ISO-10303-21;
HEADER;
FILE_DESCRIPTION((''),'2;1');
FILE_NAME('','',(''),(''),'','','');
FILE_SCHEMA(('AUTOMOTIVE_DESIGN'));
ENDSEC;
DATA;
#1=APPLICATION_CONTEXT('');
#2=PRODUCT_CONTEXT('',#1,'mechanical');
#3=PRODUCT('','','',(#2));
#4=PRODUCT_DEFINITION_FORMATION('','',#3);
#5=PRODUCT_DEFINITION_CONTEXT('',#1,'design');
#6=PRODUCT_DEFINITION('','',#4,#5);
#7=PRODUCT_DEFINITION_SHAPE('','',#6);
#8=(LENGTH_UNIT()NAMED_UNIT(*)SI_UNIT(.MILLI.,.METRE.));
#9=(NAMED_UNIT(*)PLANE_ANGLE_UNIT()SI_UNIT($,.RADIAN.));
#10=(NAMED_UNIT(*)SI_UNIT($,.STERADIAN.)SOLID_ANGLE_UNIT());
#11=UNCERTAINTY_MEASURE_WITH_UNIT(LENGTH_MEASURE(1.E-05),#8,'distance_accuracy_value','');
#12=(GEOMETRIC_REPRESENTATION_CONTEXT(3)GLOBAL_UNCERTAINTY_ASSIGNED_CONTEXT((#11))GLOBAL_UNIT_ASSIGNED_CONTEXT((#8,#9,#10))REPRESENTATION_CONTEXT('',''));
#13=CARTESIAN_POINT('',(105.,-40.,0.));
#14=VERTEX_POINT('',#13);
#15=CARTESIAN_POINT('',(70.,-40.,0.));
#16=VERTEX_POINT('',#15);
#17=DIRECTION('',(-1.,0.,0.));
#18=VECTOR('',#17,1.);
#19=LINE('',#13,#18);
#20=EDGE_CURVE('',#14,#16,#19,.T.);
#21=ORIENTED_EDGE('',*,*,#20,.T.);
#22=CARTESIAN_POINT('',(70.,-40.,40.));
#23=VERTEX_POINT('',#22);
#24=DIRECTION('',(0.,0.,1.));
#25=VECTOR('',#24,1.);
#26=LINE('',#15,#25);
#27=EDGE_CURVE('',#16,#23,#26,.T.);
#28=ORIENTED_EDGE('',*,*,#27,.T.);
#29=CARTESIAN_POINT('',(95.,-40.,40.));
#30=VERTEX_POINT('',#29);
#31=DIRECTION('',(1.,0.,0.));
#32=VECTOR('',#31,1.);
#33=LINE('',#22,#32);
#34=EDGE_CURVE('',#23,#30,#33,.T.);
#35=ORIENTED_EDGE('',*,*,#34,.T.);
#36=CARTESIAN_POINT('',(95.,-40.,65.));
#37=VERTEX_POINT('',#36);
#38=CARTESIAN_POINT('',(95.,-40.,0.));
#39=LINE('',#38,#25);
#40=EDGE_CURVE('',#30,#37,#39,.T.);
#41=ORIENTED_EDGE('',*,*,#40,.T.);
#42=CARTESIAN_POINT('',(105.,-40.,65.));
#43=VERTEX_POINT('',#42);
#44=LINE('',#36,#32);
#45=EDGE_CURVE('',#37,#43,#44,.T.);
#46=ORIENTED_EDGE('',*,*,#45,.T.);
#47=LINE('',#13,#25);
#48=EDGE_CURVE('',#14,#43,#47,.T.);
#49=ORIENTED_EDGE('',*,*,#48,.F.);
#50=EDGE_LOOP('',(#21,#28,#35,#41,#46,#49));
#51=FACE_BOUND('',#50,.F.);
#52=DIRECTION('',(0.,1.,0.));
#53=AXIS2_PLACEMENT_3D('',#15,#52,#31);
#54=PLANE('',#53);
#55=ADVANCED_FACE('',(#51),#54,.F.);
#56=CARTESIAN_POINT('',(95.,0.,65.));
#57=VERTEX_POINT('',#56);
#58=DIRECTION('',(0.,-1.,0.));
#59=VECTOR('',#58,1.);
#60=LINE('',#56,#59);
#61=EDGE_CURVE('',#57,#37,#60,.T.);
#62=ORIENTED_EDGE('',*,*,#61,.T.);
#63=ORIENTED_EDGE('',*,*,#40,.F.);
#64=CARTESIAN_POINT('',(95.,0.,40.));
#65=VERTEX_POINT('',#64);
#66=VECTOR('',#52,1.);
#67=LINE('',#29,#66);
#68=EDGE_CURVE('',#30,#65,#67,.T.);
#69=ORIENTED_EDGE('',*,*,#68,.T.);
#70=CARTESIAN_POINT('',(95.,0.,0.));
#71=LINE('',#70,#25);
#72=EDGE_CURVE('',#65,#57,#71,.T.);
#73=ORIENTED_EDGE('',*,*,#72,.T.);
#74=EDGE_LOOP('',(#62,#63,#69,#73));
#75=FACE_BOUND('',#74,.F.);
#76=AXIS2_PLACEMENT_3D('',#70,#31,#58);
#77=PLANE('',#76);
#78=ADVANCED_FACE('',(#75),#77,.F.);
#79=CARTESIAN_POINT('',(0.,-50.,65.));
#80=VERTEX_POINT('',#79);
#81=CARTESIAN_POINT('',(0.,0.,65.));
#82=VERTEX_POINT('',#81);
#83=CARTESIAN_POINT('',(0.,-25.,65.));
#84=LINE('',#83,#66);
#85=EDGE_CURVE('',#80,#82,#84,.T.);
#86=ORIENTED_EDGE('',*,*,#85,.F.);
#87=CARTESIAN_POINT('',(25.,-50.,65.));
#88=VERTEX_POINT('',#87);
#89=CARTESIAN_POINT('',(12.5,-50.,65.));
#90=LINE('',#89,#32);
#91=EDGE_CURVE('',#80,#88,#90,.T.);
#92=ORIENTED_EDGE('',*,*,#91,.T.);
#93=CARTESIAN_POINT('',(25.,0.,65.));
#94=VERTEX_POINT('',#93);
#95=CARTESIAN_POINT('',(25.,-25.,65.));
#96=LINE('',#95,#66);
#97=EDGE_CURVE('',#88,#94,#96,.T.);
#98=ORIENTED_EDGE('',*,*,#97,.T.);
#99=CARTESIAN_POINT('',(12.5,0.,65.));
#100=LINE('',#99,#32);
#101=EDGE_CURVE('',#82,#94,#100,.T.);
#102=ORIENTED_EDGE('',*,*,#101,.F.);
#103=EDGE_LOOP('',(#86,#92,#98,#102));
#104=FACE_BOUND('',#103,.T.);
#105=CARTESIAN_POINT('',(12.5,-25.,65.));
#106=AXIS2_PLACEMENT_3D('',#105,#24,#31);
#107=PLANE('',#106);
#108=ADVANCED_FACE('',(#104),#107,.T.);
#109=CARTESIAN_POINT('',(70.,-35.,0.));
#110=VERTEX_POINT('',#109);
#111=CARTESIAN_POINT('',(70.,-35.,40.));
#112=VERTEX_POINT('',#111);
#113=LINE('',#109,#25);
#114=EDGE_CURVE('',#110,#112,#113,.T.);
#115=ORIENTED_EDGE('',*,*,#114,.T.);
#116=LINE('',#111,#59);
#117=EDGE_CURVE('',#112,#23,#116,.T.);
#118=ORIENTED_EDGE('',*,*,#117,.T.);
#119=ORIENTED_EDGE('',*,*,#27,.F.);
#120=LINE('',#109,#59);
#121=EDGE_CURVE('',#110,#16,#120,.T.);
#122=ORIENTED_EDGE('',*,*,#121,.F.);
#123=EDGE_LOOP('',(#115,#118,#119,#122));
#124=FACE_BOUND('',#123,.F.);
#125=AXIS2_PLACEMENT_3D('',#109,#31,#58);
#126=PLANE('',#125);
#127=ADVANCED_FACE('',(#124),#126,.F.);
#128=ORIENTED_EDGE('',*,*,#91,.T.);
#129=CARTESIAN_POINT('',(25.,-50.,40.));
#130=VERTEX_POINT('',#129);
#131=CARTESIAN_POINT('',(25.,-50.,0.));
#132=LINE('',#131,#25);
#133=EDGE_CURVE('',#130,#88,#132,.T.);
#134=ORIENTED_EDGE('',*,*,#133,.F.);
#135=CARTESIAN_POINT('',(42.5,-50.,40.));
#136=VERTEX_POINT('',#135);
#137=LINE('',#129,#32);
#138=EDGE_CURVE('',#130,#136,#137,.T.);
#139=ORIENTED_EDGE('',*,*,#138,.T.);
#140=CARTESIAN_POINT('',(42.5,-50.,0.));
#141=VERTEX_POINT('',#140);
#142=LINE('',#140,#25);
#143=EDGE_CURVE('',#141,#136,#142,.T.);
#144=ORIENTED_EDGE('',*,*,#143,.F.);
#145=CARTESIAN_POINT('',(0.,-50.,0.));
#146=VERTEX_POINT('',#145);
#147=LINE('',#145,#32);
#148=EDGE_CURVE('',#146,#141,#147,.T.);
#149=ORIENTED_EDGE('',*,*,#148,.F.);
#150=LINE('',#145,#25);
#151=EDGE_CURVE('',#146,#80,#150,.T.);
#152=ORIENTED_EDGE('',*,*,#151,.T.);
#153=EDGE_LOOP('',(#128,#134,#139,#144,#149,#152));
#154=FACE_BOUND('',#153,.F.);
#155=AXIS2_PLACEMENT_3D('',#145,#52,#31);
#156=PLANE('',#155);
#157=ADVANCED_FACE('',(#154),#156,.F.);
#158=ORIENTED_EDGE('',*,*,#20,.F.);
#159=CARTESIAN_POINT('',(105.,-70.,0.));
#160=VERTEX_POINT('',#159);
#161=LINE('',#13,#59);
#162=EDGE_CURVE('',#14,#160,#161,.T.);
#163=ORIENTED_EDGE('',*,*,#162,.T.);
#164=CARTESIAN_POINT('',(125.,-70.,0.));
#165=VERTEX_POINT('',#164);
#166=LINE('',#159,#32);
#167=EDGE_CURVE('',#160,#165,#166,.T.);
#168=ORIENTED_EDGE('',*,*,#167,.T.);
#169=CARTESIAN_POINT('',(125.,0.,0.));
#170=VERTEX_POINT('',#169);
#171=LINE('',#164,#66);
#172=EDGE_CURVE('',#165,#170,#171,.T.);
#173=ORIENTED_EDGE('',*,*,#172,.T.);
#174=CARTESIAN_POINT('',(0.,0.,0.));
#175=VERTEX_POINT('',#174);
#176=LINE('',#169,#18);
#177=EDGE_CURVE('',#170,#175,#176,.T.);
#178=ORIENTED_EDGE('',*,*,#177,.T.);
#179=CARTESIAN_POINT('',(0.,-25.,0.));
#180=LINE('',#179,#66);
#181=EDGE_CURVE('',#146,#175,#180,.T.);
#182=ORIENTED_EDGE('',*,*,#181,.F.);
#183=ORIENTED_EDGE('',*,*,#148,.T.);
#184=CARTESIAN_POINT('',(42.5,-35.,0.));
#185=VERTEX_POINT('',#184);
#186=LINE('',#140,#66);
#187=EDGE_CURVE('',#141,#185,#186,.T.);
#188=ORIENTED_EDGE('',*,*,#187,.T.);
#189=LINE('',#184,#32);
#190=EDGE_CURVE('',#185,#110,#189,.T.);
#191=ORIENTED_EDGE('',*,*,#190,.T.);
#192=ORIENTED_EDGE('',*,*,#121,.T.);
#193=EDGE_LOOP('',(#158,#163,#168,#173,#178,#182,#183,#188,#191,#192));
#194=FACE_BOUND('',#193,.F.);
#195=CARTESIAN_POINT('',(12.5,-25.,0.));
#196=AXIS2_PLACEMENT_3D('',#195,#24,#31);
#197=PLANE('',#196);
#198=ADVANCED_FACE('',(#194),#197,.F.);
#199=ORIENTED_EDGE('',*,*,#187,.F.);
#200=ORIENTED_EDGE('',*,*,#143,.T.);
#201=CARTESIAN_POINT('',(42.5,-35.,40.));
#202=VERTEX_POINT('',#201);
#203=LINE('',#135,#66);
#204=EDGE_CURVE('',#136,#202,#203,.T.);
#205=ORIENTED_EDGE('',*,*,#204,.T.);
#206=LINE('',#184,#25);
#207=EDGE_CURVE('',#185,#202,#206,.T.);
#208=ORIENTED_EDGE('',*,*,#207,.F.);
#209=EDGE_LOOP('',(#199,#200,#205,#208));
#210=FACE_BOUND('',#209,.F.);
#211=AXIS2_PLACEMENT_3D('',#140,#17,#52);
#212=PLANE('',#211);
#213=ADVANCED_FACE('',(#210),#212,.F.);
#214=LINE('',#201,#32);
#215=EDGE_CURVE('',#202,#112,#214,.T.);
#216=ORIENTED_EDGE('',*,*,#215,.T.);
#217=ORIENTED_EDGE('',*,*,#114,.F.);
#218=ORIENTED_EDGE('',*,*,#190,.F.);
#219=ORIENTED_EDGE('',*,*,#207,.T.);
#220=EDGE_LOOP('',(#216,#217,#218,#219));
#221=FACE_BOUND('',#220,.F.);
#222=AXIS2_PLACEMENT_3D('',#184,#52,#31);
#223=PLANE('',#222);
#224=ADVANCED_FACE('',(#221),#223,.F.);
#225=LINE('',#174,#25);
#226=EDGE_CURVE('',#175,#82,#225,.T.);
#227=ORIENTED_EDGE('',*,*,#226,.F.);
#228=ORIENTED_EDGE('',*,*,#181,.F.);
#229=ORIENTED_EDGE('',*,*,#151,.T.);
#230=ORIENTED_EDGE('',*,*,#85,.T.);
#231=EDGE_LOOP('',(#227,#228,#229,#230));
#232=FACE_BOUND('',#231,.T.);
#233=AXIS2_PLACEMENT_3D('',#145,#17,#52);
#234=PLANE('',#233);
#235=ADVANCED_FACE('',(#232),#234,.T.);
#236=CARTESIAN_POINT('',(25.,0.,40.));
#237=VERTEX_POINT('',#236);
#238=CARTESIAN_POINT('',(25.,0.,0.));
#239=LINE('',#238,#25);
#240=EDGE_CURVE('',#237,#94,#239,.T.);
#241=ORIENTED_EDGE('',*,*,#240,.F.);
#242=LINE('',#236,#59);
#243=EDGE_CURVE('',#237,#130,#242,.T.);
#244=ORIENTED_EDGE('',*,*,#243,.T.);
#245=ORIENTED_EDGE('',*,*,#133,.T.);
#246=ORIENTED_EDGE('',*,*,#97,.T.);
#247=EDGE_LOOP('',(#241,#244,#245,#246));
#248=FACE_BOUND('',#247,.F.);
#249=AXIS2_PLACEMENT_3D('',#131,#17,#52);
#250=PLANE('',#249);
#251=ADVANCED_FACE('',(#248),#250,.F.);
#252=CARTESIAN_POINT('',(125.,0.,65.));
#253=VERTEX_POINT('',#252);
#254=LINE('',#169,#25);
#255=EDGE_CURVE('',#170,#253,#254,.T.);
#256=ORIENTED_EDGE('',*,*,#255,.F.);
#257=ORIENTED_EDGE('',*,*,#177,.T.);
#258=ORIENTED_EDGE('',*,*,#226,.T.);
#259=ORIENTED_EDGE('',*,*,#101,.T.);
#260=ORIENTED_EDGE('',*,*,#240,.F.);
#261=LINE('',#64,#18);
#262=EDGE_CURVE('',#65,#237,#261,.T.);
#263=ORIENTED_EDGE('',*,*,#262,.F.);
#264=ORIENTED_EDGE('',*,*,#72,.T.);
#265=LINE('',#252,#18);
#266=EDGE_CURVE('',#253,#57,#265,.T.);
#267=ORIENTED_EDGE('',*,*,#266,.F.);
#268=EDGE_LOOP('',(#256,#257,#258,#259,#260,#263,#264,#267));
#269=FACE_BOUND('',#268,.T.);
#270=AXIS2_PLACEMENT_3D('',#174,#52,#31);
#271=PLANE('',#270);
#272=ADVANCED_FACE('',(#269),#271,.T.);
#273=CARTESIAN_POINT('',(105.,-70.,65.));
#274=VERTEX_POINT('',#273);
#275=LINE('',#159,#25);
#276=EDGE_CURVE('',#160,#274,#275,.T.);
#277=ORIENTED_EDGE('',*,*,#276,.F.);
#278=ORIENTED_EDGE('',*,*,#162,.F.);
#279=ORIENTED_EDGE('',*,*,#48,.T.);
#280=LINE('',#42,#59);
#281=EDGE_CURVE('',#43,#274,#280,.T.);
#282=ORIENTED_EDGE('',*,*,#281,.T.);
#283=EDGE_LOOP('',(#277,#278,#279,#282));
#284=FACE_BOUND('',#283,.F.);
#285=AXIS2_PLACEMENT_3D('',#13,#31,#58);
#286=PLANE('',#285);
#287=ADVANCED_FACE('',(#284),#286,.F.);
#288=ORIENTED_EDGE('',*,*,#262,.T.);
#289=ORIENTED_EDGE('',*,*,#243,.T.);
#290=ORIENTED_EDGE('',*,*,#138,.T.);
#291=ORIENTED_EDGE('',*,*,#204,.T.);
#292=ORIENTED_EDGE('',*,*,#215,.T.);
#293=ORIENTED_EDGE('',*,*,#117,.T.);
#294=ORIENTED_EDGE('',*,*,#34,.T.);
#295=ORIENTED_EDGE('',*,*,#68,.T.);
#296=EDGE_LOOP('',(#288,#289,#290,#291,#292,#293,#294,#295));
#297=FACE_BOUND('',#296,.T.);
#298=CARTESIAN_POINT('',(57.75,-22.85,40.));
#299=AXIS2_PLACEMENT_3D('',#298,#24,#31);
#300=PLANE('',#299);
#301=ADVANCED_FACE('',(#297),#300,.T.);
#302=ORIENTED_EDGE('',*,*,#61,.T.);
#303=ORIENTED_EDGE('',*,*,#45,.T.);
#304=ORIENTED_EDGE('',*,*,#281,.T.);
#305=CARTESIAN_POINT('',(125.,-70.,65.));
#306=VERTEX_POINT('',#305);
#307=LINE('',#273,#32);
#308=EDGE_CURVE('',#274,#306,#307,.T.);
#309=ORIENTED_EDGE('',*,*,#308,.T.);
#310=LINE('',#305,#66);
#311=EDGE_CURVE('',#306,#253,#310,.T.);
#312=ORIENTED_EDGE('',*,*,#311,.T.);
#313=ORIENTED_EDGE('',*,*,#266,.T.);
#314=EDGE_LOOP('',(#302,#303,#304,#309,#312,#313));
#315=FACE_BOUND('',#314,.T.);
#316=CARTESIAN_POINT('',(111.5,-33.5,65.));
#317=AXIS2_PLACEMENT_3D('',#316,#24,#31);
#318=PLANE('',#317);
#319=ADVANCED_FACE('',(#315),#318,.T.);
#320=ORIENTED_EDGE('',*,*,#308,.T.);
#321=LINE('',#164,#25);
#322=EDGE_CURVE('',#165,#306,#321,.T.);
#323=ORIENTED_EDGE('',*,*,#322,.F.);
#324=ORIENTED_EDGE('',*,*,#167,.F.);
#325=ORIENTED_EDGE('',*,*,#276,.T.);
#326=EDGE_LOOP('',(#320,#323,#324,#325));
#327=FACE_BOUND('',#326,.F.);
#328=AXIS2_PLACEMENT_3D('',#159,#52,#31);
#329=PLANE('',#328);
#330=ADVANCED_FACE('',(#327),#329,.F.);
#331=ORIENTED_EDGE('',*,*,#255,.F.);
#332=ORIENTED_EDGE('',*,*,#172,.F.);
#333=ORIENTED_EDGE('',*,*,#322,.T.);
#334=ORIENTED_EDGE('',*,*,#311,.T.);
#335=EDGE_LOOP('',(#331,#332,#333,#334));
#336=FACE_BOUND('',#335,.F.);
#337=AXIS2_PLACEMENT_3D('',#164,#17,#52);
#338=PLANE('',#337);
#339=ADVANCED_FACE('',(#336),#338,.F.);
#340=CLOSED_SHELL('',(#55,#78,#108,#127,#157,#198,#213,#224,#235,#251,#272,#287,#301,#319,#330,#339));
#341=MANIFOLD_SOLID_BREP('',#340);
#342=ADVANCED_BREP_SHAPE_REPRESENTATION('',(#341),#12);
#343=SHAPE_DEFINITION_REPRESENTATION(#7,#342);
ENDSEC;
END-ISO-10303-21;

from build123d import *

# Parameters (mm, degrees)
F1_DEPTH = 40
F0_W     = 25
F0_H     = 50
F2_DEPTH = 65


with BuildPart() as f1:
    # F0 (on Top) → F1 (new body)
    with BuildSketch(Plane.XY):
        Polygon((95, 0), (25, 0), (25, -50), (42.5, -50), (42.5, -35), (70, -35), (70, -40), (95, -40), align=None)
    extrude(amount=F1_DEPTH)

    # F0 (on Top) → F2 (join)
    with BuildSketch(Plane.XY):
        with Locations((12.5, -25)):
            Rectangle(F0_W, F0_H)
        Polygon((125, 0), (95, 0), (95, -40), (105, -40), (105, -70), (125, -70), align=None)
    extrude(amount=F2_DEPTH)


solid = f1.part
